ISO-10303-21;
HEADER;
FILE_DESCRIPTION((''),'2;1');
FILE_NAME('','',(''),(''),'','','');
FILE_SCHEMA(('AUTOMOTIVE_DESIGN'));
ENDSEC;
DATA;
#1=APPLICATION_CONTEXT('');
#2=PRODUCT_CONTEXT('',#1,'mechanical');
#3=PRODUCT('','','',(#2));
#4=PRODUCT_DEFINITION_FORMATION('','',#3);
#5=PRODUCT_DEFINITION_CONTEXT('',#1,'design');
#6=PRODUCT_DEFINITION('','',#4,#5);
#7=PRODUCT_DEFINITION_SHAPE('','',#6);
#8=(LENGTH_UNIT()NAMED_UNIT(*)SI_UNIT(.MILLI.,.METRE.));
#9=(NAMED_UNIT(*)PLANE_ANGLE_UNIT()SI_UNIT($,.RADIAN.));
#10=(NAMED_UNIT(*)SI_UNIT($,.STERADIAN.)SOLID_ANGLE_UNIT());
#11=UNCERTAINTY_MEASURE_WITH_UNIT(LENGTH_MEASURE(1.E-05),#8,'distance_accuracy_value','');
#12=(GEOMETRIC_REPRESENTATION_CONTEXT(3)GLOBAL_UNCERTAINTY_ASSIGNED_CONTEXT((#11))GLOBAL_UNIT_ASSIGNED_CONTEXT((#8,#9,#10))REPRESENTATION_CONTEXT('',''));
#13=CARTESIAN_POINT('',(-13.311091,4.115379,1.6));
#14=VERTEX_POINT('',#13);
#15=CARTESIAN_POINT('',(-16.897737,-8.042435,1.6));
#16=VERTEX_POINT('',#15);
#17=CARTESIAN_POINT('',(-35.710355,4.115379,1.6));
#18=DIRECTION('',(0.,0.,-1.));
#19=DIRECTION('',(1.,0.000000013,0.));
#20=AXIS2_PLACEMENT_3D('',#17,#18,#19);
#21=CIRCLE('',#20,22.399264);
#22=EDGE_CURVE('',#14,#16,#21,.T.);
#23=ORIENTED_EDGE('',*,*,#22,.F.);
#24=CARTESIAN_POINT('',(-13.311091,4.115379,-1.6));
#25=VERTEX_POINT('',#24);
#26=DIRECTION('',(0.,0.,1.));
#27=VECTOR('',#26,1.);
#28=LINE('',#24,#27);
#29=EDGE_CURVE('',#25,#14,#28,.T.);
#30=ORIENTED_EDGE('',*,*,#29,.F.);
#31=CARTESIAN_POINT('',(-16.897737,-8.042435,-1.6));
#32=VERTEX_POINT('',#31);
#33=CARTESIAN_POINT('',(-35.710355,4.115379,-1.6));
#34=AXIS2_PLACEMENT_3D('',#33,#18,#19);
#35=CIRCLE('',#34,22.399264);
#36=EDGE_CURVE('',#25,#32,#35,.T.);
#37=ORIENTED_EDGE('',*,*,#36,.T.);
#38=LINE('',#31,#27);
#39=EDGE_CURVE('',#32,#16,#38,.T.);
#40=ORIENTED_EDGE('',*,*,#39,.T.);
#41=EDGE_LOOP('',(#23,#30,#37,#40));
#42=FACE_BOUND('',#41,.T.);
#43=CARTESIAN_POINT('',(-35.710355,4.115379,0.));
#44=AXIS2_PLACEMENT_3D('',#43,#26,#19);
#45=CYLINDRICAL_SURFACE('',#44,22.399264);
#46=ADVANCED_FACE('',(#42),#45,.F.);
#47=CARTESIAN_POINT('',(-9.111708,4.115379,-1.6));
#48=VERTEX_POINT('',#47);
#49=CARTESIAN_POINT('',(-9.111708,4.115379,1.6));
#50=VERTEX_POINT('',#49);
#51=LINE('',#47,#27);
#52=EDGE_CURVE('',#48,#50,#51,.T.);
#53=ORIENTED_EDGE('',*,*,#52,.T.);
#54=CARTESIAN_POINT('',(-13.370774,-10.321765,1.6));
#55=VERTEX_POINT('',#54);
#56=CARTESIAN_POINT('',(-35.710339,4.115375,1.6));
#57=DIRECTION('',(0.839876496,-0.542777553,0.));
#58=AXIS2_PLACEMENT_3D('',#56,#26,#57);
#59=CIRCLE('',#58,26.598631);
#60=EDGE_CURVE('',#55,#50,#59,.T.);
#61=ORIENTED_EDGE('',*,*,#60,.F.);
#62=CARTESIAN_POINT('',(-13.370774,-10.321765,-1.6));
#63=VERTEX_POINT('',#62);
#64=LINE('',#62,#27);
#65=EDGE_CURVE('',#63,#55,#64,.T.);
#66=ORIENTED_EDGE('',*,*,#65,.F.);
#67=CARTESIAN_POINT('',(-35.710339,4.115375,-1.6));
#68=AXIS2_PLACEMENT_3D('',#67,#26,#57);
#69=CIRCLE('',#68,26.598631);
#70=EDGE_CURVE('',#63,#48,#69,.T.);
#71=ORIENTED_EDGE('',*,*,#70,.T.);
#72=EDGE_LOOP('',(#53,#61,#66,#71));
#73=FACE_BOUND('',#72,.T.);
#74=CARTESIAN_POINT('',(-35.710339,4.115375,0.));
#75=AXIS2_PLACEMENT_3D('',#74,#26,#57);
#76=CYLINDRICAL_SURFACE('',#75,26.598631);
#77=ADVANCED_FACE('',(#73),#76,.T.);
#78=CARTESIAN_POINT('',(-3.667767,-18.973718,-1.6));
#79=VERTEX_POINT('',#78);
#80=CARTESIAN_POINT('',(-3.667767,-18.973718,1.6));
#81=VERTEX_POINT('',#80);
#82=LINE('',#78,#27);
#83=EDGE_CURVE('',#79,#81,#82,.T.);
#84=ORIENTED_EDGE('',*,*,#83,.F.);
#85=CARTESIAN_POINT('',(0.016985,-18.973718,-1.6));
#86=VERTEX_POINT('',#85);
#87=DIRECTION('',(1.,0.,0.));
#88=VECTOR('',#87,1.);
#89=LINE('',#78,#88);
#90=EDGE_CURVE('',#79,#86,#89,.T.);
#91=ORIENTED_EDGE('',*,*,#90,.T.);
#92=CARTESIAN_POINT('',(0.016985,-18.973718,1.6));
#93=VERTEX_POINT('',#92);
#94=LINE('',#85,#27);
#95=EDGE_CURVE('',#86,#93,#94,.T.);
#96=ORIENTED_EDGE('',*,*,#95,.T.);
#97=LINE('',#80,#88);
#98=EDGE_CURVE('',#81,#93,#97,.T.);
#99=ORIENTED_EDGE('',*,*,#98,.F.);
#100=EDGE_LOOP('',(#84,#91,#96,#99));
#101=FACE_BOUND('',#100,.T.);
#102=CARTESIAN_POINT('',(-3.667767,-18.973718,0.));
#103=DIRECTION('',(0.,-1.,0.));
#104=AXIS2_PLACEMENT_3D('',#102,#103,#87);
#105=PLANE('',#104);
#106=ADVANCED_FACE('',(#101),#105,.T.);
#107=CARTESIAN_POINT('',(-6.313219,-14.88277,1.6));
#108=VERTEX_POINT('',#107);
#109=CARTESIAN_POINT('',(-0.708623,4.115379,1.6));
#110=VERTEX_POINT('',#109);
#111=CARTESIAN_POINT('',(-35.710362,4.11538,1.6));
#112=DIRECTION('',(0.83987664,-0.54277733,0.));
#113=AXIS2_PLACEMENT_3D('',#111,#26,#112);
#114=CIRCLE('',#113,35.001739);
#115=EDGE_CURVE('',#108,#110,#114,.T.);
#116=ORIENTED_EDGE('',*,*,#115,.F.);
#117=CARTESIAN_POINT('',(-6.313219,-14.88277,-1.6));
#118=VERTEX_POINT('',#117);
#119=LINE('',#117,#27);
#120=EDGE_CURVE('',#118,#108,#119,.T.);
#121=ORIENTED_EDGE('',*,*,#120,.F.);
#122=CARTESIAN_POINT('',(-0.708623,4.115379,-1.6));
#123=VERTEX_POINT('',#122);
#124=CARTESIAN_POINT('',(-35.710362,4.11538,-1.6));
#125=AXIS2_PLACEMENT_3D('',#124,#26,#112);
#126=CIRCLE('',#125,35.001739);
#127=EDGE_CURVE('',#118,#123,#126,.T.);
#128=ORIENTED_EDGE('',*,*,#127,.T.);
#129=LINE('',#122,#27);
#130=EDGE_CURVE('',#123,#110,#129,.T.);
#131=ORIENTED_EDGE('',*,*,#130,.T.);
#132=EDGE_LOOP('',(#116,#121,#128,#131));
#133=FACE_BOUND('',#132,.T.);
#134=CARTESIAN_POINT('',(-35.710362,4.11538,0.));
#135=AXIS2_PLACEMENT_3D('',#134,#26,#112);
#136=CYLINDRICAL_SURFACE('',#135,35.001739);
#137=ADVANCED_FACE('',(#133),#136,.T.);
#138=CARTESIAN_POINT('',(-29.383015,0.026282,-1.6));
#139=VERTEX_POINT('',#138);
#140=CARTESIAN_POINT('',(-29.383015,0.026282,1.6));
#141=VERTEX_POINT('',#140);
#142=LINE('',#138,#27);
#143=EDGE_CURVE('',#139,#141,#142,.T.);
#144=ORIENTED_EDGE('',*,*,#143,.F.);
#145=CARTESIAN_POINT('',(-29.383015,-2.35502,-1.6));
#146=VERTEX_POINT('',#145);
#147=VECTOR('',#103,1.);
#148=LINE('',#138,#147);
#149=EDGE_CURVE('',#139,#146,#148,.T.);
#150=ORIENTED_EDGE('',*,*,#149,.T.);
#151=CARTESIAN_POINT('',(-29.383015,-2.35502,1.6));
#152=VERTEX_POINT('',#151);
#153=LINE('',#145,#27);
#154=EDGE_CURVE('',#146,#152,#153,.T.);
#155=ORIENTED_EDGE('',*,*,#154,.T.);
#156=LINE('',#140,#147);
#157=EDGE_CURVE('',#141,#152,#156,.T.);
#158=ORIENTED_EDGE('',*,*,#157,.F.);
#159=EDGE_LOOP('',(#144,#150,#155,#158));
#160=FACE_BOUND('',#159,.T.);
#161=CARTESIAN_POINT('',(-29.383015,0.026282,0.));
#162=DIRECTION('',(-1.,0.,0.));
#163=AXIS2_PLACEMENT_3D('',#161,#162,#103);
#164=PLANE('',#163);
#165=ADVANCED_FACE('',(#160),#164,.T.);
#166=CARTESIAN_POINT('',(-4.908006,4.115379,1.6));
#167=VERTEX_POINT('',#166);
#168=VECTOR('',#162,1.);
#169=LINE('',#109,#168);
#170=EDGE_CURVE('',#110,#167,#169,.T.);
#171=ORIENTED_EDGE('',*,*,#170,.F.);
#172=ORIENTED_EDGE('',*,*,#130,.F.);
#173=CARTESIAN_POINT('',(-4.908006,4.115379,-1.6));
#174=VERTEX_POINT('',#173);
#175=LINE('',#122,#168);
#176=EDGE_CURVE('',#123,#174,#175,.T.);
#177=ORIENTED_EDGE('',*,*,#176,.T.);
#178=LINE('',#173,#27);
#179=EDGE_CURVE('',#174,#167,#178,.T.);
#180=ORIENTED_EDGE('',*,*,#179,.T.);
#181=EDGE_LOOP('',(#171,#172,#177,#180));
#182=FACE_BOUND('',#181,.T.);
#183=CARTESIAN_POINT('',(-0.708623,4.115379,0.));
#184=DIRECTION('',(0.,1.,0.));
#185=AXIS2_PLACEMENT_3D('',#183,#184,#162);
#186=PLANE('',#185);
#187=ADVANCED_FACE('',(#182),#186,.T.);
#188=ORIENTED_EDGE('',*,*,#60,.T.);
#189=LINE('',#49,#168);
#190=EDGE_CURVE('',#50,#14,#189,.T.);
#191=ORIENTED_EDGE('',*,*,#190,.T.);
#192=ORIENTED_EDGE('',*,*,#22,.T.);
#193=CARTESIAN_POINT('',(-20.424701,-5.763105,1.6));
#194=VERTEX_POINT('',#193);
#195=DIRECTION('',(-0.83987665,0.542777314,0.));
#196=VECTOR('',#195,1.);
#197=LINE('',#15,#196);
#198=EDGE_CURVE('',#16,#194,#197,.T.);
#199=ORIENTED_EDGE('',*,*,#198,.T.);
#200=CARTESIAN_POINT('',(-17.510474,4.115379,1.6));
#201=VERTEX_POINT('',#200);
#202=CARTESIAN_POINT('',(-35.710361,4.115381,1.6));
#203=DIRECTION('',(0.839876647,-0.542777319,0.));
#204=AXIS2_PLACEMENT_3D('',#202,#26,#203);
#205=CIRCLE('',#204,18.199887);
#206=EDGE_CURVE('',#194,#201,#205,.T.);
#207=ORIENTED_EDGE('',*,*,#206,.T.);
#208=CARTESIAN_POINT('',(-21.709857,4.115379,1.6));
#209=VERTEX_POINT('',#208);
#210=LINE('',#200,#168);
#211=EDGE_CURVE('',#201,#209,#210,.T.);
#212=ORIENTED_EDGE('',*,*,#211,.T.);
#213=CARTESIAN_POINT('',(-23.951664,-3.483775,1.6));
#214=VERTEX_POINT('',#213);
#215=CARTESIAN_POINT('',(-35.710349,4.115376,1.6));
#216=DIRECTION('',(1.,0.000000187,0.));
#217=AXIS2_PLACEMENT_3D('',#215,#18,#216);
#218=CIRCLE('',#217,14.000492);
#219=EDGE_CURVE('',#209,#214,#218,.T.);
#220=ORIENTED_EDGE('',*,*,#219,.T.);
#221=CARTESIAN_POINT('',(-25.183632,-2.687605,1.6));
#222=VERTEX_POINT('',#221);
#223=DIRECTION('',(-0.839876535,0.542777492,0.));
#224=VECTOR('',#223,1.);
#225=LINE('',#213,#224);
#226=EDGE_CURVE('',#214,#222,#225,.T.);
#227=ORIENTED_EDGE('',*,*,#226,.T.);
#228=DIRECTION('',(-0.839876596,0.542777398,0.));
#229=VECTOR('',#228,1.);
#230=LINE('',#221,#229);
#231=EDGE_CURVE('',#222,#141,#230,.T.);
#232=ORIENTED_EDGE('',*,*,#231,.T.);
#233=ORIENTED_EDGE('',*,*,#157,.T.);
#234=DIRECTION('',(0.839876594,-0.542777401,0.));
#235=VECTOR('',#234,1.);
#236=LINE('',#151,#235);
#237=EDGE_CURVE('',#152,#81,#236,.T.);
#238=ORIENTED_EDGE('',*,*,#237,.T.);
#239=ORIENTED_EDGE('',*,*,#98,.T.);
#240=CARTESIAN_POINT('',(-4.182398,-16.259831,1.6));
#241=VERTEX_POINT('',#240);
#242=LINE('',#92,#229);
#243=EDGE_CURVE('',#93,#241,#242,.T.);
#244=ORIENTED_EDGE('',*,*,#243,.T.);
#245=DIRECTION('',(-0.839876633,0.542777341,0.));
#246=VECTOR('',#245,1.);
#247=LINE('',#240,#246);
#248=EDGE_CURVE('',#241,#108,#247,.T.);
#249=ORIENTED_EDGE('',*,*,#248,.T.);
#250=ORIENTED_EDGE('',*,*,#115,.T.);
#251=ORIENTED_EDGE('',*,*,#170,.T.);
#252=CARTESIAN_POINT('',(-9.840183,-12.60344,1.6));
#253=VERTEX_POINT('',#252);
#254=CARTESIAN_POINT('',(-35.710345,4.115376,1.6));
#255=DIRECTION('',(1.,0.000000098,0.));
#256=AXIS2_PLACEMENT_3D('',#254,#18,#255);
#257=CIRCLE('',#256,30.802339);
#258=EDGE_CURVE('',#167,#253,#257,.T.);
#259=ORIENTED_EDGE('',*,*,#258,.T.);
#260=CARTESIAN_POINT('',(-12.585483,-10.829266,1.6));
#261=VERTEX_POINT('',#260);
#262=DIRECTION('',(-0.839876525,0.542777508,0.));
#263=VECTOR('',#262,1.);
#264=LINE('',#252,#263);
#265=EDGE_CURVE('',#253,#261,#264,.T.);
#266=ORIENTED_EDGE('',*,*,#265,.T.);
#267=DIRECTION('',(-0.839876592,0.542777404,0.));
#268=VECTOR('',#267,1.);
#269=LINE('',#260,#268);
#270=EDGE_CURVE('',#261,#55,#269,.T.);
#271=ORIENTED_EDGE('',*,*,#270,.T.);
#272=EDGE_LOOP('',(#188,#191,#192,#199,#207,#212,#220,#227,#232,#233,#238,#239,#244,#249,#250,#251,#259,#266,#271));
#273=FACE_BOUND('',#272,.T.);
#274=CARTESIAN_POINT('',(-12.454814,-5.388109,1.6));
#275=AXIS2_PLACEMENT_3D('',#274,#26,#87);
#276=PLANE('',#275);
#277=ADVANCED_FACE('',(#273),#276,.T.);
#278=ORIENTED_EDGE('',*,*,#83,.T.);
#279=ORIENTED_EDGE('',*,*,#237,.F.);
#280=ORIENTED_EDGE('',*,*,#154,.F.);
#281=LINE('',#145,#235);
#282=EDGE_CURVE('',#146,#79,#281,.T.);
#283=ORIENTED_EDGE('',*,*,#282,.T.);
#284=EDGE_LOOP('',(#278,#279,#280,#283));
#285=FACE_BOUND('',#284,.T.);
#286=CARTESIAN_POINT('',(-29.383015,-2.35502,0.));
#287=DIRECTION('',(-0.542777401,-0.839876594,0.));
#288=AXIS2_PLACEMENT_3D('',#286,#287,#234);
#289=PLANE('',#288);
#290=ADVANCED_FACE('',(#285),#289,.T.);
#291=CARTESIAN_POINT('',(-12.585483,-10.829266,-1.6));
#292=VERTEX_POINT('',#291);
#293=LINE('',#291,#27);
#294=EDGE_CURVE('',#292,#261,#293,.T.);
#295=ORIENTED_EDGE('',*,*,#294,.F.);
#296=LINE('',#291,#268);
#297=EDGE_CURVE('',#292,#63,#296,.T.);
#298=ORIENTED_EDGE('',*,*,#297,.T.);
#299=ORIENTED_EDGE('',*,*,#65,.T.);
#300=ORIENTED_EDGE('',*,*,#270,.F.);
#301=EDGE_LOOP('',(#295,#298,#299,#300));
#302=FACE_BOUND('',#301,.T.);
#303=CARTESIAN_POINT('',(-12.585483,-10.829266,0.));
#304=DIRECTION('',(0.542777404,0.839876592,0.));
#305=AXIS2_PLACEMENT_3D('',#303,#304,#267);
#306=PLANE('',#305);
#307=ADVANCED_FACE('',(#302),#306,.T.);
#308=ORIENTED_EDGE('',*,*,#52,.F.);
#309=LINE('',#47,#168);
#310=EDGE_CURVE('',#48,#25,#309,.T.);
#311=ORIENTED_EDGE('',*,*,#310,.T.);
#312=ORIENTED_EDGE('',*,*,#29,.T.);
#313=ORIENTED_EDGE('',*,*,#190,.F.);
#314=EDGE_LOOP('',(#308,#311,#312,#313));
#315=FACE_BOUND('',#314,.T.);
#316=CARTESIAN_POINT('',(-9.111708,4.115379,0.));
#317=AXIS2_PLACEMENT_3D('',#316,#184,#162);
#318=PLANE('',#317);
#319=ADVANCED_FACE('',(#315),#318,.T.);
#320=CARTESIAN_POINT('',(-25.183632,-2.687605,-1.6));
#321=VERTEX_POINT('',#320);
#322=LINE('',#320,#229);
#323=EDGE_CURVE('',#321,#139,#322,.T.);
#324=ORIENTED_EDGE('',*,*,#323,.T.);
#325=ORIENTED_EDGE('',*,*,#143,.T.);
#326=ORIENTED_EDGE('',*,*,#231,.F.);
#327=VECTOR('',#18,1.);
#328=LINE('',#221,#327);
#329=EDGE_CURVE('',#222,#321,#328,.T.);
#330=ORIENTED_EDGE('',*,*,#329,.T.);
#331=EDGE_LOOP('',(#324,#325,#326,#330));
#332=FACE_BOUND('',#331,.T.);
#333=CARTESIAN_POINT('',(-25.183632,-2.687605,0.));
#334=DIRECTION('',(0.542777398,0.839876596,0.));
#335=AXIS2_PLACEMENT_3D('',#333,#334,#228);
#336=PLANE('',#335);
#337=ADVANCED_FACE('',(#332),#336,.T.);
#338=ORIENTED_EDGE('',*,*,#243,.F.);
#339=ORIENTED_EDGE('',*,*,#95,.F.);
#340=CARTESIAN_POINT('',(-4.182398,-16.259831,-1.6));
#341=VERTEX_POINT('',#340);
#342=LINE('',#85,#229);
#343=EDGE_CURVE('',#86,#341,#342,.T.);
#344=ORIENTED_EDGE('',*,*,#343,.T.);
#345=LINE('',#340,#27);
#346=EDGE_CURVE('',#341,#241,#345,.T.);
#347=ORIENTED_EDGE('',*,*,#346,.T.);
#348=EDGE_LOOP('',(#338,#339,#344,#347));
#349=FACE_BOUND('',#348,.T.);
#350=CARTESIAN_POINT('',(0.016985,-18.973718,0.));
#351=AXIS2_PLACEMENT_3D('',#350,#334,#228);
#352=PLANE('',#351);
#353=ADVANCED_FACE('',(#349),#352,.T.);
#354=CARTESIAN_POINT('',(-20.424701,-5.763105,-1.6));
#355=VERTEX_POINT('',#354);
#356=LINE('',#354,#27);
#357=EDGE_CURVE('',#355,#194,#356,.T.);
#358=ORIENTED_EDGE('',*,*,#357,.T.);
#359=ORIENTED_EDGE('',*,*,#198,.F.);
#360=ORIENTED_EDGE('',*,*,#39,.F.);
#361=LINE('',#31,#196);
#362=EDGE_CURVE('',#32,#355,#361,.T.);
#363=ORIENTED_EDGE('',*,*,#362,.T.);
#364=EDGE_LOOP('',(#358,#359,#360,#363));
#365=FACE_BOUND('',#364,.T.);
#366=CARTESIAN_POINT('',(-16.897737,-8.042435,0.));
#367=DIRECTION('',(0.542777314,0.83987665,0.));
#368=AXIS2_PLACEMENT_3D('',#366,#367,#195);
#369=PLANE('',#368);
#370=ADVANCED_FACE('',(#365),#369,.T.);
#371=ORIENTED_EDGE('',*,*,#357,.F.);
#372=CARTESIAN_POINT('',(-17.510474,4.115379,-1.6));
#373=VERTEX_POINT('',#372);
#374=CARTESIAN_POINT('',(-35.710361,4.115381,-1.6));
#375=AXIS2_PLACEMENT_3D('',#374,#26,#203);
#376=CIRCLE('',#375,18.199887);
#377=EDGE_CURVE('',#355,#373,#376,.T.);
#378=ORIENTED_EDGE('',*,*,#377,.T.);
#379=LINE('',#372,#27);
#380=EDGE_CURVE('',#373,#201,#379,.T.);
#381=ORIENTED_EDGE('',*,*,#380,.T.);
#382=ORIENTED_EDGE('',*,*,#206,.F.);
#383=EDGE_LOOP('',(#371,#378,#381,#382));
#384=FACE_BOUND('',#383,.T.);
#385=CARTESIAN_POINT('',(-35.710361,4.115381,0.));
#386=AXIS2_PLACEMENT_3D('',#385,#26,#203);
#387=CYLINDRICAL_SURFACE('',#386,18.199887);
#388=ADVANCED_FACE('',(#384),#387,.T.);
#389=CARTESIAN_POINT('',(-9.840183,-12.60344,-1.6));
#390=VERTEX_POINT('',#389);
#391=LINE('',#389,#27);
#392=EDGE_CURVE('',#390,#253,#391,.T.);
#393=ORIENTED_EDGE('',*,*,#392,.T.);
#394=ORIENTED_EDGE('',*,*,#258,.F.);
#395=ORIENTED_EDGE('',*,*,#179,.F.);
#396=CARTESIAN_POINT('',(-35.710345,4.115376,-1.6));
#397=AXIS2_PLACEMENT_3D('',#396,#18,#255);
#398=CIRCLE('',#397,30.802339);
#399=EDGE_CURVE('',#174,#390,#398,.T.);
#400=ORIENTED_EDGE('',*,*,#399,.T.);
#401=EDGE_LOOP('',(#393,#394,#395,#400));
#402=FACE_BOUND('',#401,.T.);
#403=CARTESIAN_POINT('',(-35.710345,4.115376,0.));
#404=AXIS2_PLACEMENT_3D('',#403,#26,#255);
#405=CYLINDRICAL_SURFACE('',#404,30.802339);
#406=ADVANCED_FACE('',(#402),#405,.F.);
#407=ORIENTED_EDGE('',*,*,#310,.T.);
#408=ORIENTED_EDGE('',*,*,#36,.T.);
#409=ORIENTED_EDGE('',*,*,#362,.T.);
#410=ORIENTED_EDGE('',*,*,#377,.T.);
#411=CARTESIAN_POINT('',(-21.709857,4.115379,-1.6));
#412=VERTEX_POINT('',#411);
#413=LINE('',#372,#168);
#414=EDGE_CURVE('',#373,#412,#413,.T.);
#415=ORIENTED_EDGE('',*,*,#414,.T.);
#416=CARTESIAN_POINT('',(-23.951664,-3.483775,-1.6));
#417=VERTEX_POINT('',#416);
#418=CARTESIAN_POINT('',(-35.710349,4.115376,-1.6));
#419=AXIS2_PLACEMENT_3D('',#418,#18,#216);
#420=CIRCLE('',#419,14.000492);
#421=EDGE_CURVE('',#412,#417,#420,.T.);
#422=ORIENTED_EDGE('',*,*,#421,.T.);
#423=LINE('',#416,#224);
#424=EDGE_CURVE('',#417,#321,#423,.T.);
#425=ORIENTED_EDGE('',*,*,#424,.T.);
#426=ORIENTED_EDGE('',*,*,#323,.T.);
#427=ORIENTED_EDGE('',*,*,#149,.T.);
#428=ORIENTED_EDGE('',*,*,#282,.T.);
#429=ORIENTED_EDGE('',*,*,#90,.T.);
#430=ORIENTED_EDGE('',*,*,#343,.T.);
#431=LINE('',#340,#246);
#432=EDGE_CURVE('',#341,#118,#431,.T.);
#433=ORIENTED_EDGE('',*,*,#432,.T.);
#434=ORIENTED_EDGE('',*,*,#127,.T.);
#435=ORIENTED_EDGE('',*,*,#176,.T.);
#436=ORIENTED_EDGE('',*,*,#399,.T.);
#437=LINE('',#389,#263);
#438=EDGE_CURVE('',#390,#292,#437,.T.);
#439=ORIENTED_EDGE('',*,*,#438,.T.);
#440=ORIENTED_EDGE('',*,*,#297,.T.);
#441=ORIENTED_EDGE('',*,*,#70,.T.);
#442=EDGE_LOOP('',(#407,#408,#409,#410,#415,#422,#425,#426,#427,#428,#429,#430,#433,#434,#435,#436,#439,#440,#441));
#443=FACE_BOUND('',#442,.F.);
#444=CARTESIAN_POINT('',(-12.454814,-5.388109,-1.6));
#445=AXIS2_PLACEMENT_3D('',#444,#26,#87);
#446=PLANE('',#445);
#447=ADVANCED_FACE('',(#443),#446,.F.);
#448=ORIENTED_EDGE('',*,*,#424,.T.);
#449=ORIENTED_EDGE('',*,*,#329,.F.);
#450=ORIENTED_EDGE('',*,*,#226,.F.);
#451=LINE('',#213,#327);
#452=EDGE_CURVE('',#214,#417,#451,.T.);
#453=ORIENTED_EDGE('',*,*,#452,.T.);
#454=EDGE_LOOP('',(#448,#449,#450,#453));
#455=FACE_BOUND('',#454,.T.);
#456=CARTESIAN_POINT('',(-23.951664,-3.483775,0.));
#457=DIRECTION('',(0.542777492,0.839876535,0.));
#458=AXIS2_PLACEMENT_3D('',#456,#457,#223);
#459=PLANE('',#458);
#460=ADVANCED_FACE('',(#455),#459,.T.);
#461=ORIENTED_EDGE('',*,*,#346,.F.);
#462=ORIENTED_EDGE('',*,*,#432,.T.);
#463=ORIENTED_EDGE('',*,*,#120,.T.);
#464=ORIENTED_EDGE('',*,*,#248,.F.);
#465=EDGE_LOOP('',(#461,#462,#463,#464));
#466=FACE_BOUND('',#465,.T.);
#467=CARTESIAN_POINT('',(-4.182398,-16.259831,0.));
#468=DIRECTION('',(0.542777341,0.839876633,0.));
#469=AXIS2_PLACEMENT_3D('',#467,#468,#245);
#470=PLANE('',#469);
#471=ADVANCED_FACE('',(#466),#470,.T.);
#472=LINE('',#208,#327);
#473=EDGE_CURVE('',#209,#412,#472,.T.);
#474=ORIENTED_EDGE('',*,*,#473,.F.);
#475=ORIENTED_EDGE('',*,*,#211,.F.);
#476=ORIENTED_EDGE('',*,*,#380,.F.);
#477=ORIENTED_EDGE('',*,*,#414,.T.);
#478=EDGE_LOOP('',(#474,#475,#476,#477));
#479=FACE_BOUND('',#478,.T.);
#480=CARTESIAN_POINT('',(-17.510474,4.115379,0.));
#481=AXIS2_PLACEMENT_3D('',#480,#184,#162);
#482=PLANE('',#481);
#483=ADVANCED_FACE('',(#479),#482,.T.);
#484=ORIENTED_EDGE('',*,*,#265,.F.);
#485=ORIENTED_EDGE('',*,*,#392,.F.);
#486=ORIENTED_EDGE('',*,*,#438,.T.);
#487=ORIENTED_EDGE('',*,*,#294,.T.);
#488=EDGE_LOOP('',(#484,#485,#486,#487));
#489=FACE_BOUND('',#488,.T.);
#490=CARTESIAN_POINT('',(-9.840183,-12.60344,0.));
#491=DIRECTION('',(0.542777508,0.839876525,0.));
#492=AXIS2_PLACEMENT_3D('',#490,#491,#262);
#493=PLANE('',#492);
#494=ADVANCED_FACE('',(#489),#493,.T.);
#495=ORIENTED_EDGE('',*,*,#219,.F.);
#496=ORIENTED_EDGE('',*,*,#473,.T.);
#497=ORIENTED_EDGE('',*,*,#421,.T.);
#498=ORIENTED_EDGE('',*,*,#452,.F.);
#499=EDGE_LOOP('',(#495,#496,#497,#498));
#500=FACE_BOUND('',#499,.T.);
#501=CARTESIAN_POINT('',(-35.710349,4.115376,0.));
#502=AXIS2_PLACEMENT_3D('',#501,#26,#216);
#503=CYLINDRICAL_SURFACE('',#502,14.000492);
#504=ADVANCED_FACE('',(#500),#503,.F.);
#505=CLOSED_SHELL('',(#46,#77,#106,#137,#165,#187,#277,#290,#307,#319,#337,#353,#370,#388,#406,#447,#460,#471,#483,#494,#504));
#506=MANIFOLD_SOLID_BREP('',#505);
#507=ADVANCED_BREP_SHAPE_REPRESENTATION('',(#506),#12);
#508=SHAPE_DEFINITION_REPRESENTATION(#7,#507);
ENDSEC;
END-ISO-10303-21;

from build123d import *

# Parameters (mm, degrees)
F1_DEPTH = 1.6


with BuildPart() as f1:
    # F0 (on Top) → F1 (new body, symmetric)
    with BuildSketch(Plane.XY):
        with BuildLine():
            Line((-25.183632, -2.687605), (-29.383015, 0.026282))
            Line((-29.383015, 0.026282), (-29.383015, -2.35502))
            Line((-29.383015, -2.35502), (-3.667767, -18.973718))
            Line((-3.667767, -18.973718), (0.016985, -18.973718))
            Line((0.016985, -18.973718), (-4.182398, -16.259831))
            Line((-4.182398, -16.259831), (-6.313219, -14.88277))
            ThreePointArc((-6.313219, -14.88277), (-2.138999, -5.788423), (-0.708623, 4.115379))
            Line((-0.708623, 4.115379), (-4.908006, 4.115379))
            ThreePointArc((-4.908006, 4.115379), (-6.16677, -4.6002), (-9.840183, -12.60344))
            Line((-9.840183, -12.60344), (-12.585483, -10.829266))
            Line((-12.585483, -10.829266), (-13.370774, -10.321765))
            ThreePointArc((-13.370774, -10.321765), (-10.198684, -3.410755), (-9.111708, 4.115379))
            Line((-9.111708, 4.115379), (-13.311091, 4.115379))
            ThreePointArc((-13.311091, 4.115379), (-14.226456, -2.222532), (-16.897737, -8.042435))
            Line((-16.897737, -8.042435), (-20.424701, -5.763105))
            ThreePointArc((-20.424701, -5.763105), (-18.254228, -1.034309), (-17.510474, 4.115379))
            Line((-17.510474, 4.115379), (-21.709857, 4.115379))
            ThreePointArc((-21.709857, 4.115379), (-22.281999, 0.153913), (-23.951664, -3.483775))
            Line((-23.951664, -3.483775), (-25.183632, -2.687605))
        make_face()
    extrude(amount=F1_DEPTH, both=True)


solid = f1.part
